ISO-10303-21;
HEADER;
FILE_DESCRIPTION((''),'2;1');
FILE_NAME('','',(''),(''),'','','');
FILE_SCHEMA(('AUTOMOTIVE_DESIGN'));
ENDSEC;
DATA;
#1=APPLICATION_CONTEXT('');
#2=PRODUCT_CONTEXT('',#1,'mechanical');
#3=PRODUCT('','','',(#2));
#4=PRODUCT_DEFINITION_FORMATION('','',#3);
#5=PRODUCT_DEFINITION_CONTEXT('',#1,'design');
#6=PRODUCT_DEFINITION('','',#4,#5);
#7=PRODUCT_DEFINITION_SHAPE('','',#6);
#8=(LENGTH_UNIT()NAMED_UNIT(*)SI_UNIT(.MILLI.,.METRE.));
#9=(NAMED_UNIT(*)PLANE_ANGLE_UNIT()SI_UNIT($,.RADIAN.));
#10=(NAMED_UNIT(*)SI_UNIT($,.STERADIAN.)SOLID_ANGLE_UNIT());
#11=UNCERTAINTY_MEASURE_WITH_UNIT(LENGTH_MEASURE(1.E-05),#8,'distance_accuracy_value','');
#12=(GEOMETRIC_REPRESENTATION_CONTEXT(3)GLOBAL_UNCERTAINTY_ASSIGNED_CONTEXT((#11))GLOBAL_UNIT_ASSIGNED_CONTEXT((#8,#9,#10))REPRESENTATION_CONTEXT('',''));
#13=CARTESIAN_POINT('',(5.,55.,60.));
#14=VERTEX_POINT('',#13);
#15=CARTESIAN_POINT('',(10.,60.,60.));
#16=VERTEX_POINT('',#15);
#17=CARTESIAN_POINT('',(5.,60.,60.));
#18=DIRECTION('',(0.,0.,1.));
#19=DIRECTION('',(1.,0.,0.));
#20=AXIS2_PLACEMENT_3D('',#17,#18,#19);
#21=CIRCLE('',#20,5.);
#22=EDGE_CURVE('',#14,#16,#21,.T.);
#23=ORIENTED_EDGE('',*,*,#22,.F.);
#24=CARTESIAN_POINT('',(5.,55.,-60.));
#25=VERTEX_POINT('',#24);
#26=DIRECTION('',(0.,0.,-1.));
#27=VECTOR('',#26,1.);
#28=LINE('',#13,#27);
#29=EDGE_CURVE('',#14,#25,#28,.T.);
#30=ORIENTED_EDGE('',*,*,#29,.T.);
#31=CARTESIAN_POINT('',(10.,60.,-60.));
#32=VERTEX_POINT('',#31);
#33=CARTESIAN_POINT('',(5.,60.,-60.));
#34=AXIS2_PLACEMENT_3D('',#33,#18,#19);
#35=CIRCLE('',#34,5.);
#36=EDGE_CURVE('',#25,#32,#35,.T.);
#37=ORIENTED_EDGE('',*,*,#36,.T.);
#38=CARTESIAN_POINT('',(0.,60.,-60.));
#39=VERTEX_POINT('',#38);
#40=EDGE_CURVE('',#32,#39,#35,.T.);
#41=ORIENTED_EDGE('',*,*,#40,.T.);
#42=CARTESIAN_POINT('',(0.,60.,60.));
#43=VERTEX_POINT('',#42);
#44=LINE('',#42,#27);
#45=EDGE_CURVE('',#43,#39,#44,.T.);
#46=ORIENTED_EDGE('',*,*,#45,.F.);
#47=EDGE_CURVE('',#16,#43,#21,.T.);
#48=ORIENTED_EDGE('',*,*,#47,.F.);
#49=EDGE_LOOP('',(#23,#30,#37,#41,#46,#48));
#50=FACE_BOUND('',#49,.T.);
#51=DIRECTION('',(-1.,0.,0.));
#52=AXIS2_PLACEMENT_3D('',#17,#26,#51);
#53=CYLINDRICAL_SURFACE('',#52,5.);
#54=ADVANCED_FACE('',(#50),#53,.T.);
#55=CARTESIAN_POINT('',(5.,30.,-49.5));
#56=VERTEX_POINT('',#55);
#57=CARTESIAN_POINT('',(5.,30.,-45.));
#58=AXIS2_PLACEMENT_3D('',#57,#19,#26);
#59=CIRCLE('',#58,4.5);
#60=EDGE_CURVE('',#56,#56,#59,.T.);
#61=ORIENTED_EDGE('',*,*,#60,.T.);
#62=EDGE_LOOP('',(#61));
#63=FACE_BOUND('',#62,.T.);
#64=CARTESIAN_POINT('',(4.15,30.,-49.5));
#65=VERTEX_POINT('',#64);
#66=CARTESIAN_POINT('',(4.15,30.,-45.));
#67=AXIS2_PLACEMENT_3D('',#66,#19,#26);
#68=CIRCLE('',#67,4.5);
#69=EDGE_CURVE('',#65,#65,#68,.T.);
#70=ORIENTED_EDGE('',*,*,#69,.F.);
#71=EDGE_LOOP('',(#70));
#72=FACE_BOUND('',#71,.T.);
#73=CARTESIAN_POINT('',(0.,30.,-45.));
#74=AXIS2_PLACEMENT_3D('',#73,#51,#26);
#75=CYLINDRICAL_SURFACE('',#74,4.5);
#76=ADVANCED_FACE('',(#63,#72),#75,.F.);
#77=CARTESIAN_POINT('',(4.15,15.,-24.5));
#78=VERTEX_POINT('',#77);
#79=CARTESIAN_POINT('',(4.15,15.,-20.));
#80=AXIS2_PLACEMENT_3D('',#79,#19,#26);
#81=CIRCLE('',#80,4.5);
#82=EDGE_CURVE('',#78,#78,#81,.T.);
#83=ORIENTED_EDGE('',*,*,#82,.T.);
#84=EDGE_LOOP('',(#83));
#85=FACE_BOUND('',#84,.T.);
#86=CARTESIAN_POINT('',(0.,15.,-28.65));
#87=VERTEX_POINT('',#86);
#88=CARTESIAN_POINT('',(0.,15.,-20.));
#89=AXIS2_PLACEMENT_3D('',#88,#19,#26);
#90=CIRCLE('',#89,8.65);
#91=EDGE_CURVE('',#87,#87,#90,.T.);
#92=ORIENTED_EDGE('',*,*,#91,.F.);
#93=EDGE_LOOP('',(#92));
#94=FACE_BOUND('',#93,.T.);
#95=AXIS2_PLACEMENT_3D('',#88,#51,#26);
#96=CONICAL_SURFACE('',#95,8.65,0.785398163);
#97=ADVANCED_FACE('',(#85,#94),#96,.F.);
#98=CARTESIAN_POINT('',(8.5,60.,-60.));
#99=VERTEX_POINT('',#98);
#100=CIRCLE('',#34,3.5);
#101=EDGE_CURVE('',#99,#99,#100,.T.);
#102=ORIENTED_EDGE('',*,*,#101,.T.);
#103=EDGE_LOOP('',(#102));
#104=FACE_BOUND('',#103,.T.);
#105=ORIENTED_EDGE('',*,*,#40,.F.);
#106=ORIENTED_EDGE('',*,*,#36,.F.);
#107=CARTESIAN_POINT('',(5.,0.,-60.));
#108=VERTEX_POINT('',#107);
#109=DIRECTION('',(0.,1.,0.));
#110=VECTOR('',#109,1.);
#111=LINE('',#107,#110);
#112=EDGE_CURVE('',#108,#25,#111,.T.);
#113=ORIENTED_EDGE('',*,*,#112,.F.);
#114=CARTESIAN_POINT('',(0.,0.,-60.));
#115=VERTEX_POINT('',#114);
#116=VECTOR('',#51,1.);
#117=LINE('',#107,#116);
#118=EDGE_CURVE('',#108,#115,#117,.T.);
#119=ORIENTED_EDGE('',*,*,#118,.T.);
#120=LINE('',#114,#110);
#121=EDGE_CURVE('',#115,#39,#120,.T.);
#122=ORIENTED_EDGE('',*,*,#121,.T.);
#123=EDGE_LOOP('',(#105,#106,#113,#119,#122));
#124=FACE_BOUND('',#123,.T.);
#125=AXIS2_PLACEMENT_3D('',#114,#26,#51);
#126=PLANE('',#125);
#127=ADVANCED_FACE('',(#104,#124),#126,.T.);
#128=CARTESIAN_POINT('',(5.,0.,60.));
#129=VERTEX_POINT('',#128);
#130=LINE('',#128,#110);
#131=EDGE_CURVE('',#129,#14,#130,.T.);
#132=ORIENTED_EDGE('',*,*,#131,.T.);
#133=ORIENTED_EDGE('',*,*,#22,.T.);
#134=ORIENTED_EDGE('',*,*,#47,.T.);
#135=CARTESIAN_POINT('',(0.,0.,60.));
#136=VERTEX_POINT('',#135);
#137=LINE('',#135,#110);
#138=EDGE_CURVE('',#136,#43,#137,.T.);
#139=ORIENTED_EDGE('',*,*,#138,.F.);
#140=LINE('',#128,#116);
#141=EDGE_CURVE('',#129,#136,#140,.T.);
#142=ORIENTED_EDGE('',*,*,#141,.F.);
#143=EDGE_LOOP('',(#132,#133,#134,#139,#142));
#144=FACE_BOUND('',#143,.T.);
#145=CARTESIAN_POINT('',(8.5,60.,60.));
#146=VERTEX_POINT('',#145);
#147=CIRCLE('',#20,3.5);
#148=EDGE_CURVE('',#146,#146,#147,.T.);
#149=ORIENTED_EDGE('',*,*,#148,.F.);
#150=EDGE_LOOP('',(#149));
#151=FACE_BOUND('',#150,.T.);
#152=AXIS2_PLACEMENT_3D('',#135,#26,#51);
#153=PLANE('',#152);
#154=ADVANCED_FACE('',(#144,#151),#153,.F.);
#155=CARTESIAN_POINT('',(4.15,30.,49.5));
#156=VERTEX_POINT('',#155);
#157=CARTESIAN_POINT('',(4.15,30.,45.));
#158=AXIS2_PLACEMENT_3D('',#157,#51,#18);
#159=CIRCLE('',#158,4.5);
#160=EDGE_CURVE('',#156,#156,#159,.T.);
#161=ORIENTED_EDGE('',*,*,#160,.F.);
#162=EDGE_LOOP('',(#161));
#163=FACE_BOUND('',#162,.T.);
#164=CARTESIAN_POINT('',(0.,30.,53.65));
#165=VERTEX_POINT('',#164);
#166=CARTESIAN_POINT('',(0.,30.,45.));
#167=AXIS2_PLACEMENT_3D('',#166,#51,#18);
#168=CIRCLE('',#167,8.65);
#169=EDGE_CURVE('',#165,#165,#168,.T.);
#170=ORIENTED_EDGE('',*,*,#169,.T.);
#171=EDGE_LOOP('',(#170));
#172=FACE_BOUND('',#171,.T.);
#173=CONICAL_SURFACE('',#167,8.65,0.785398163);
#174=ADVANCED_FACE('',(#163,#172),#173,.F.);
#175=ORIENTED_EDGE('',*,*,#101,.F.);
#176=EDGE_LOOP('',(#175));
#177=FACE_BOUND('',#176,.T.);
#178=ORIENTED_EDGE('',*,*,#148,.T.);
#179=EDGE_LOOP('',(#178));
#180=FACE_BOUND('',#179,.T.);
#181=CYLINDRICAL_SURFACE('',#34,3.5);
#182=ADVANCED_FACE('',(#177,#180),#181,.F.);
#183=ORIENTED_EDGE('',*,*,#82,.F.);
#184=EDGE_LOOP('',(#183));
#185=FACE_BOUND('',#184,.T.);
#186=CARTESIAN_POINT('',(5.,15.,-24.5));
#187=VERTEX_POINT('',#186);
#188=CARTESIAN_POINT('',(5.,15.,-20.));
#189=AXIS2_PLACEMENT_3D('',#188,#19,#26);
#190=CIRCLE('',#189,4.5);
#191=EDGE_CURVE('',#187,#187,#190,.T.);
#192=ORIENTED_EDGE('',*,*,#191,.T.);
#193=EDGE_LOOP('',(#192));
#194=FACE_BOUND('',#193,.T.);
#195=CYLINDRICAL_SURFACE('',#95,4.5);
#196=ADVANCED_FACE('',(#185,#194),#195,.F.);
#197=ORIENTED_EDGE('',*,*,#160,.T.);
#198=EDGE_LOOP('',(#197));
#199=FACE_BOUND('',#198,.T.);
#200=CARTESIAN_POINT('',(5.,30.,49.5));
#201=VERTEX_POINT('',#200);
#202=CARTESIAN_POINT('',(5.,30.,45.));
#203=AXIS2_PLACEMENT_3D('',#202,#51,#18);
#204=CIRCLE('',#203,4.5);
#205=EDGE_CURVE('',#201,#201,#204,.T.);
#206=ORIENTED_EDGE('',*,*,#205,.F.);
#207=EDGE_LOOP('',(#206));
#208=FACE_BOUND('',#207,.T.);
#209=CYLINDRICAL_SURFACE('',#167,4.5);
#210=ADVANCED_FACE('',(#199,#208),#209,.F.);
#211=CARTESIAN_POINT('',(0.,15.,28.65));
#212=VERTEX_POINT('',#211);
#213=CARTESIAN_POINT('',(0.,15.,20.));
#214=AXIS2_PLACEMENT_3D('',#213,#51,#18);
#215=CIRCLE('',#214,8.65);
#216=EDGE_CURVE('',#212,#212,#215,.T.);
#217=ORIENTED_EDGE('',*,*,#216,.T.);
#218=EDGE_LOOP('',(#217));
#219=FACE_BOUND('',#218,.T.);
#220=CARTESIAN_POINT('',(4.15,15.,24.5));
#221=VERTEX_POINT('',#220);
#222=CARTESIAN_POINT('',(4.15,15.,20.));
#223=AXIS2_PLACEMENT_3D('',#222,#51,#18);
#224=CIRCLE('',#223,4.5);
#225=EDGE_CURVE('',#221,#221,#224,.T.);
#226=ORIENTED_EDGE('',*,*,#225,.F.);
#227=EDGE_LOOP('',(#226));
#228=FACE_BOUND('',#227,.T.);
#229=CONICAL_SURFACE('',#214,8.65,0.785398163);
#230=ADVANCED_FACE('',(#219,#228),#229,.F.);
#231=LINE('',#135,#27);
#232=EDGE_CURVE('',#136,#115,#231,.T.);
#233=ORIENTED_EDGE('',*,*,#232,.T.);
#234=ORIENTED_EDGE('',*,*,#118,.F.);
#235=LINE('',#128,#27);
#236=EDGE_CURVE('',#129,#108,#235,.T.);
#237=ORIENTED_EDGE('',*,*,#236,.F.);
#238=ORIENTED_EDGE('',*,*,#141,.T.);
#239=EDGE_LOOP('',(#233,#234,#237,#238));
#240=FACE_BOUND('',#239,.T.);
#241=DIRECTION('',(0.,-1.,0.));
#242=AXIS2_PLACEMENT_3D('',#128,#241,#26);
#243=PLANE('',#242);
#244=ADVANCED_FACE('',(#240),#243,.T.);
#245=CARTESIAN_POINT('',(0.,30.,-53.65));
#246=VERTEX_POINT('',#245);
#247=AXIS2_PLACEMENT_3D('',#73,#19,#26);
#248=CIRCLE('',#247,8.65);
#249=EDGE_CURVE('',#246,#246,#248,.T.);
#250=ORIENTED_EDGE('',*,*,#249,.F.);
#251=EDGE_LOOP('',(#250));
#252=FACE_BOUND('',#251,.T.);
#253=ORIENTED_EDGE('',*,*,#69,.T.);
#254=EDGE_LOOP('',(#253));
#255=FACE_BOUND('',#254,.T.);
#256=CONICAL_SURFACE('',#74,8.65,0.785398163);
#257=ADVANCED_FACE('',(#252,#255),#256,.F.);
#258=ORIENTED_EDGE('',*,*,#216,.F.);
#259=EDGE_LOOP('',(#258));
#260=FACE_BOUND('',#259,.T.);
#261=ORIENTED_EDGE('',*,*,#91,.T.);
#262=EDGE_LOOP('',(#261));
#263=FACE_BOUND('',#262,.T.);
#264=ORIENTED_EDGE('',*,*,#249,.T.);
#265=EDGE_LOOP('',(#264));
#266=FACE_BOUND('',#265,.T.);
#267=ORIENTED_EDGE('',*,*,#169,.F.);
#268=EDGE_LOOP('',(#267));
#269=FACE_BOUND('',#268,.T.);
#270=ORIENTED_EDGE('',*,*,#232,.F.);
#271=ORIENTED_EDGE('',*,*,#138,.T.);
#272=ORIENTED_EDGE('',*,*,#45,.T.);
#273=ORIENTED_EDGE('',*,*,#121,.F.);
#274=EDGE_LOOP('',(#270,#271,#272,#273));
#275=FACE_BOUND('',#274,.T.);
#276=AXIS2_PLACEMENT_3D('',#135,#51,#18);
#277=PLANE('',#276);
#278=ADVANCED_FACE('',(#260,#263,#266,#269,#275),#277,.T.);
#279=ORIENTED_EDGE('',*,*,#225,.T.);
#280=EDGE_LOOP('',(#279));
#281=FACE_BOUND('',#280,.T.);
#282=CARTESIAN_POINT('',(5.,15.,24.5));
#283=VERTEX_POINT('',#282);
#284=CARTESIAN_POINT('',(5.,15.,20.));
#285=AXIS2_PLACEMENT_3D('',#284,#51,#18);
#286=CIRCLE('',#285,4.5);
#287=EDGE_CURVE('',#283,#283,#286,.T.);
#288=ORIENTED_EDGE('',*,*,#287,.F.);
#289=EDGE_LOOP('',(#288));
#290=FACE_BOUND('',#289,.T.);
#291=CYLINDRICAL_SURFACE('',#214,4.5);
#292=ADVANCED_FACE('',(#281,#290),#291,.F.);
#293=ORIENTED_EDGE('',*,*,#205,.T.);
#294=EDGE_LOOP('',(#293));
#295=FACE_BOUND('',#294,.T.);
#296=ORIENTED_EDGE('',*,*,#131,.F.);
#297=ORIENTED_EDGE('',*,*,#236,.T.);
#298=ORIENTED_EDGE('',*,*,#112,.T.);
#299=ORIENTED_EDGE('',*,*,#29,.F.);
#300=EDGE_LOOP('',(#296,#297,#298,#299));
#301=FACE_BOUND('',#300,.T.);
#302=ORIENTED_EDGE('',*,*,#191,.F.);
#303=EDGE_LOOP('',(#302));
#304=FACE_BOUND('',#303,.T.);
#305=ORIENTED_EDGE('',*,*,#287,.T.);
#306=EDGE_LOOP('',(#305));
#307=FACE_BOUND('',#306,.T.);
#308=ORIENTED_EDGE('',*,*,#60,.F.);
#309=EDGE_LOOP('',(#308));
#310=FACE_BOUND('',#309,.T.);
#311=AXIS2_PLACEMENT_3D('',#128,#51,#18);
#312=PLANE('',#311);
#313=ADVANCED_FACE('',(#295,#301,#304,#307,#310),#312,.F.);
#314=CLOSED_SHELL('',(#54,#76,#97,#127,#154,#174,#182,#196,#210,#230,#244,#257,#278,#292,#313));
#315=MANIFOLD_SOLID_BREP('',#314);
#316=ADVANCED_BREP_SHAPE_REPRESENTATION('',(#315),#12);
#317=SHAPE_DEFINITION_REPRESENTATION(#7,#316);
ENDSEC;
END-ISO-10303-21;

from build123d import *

# Parameters (mm, degrees)
SKETCH_1_W                  = 5
SKETCH_1_H                  = 60
EXTRUDE_2_DEPTH             = 60
SKETCH_2_R                  = 5
SKETCH_3_R                  = 3.5
CUT_EXTRUDE_1_DEPTH         = 137.839321834
HOLE_WIZARD_M81_D           = 9
HOLE_WIZARD_M81_CSINK_D     = 17.3
HOLE_WIZARD_M81_CSINK_ANGLE = 90


with BuildPart() as part:
    # Эскиз1 → Вытянуть-Тонкостенный2 (new, symmetric)
    with BuildSketch(Plane.XY):
        with Locations((2.5, 30)):
            Rectangle(SKETCH_1_W, SKETCH_1_H)
    extrude(amount=EXTRUDE_2_DEPTH, both=True)

    # По траектории1: sweep along a curve in space
    with BuildLine() as sweep_1_path:
        Line((0, 60, 60), (0, 60, -60))
    # Эскиз2 → По траектории1 (sweep)
    with BuildSketch(Plane.XY.offset(60)):
        with Locations((5, 60)):
            Circle(SKETCH_2_R)
    sweep(path=sweep_1_path.line)

    # Эскиз3 → Вырез-Вытянуть1 (cut, through all)
    with BuildSketch(Plane.XY.offset(60)):
        with Locations((5, 60)):
            Circle(SKETCH_3_R)
    extrude(amount=-CUT_EXTRUDE_1_DEPTH, mode=Mode.SUBTRACT)

    # Зенковка для  винта с плоской головкой M81 (through all)
    with Locations(Plane(origin=(0, 0, 0), x_dir=(0, 0, -1), z_dir=(-1, 0, 0))):
        with Locations((-45, -30), (-20, -15)):
            hole_wizard_m81 = CounterSinkHole(HOLE_WIZARD_M81_D / 2, HOLE_WIZARD_M81_CSINK_D / 2, counter_sink_angle=HOLE_WIZARD_M81_CSINK_ANGLE)

    # Зеркальное отражение4: Зенковка для  винта с плоской головкой M81 across plane
    add(hole_wizard_m81.mirror(Plane.XY), mode=Mode.SUBTRACT)


solid = part.part
